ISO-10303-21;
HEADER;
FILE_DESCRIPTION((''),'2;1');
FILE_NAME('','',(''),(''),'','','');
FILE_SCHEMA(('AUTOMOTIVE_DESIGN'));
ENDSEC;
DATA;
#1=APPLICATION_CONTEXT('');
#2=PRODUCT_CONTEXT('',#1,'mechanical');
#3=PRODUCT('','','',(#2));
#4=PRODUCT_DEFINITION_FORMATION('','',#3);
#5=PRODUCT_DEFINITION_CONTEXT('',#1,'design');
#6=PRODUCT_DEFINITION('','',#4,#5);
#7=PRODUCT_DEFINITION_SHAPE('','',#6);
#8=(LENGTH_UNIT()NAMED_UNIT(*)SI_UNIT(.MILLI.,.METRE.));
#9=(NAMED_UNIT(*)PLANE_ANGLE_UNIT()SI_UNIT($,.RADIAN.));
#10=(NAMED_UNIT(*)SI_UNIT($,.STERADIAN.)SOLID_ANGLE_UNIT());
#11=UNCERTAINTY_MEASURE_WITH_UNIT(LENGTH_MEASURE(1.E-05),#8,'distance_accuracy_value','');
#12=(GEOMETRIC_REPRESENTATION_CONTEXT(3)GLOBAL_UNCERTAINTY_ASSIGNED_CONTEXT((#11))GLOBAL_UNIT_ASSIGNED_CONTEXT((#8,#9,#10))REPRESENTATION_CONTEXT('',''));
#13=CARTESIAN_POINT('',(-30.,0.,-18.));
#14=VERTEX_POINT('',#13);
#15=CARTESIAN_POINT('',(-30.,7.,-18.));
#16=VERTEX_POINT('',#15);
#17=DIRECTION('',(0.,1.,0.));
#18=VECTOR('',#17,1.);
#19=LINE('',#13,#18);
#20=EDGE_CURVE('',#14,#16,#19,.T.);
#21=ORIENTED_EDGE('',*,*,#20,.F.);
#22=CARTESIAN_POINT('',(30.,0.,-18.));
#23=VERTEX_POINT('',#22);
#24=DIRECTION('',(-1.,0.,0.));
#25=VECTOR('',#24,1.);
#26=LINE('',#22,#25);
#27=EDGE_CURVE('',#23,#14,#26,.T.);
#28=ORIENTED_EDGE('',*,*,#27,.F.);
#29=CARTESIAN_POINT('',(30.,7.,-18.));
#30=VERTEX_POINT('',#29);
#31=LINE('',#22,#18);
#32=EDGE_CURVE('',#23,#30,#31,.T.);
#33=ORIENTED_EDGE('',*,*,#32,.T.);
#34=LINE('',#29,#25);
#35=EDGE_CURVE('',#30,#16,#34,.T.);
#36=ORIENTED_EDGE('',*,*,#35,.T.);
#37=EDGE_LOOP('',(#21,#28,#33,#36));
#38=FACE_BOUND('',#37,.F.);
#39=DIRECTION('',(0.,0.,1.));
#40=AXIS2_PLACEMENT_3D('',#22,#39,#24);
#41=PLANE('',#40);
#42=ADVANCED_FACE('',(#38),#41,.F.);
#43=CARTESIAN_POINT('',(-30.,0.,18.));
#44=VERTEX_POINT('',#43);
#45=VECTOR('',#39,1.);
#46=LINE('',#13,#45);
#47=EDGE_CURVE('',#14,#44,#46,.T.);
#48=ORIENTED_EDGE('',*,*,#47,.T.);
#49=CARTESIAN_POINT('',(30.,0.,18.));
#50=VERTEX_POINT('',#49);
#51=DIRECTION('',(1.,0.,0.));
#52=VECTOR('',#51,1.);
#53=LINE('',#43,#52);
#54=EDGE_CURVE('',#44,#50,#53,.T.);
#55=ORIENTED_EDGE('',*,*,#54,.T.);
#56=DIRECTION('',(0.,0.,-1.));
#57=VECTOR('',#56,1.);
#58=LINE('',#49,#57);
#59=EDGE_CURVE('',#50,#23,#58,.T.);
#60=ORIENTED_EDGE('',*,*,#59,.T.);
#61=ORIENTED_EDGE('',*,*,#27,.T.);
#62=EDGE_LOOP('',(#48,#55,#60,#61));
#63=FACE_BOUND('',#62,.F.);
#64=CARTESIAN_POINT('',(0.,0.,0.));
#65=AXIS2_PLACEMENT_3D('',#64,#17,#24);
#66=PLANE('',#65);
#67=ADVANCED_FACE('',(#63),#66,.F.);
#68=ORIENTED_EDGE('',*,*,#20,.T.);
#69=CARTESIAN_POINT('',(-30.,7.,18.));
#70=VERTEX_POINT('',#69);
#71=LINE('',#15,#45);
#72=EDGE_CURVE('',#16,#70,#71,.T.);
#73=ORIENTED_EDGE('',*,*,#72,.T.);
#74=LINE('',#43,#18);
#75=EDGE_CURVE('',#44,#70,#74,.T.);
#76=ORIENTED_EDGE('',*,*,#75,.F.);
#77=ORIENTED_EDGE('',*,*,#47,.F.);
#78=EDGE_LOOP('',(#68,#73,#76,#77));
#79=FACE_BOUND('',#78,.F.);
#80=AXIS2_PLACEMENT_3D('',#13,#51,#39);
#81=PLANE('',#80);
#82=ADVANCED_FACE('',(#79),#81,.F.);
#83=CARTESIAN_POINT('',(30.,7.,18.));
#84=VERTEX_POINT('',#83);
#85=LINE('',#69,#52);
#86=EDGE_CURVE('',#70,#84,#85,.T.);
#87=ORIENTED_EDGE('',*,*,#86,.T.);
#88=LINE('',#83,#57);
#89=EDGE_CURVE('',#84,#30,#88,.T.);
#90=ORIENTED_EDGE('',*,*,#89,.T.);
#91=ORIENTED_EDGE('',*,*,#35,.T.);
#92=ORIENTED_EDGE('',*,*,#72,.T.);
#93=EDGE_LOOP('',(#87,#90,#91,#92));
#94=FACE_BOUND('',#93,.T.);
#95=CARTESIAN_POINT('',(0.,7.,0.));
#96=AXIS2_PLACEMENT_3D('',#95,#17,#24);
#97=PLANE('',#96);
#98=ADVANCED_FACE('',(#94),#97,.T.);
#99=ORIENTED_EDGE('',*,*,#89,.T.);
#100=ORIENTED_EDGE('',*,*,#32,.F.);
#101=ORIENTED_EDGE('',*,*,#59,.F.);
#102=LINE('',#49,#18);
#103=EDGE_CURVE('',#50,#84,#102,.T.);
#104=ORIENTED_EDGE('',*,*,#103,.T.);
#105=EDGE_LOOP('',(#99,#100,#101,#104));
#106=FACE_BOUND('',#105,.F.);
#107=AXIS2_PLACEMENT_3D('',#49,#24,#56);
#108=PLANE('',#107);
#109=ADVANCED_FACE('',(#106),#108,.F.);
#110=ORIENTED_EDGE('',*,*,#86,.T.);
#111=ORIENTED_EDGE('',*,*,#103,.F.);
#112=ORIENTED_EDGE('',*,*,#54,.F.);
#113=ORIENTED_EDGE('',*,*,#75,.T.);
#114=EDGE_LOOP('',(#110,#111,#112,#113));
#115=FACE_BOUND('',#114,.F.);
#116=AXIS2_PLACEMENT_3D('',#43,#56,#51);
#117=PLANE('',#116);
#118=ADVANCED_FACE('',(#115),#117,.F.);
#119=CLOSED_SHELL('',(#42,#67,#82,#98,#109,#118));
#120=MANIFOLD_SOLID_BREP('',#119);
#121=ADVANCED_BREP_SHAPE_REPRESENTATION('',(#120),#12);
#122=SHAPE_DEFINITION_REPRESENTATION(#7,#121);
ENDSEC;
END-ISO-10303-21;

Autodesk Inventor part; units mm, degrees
ref_plane "YZ Plane" through (0, 0, 0) normal (1, 0, 0) x (0, 1, 0)
ref_plane "XZ Plane" through (0, 0, 0) normal (0, 1, 0) x (-1, 0, 0)
ref_plane "XY Plane" through (0, 0, 0) normal (0, 0, 1) x (1, 0, 0)
sketch "Sketch1" plane through (0, 0, 0) normal (0, 1, 0) x (-1, 0, 0)
  line L0 (30, 18) -> (-30, 18)
  line L1 (-30, 18) -> (-30, -18)
  line L2 (-30, -18) -> (30, -18)
  line L3 (30, -18) -> (30, 18)
  point P0 (0, 0)
  dimension "d0" = 60
  dimension "d1" = 36
  dimension "d2" = 18
  dimension "d3" = 30
extrude "Extrusion1" add sketch "Sketch1" along normal blind 7
equation "\"d2\" = 0.5 * d1"
equation "\"d3\" = 0.5 * d0"
properties part number "Emergency Battery"
